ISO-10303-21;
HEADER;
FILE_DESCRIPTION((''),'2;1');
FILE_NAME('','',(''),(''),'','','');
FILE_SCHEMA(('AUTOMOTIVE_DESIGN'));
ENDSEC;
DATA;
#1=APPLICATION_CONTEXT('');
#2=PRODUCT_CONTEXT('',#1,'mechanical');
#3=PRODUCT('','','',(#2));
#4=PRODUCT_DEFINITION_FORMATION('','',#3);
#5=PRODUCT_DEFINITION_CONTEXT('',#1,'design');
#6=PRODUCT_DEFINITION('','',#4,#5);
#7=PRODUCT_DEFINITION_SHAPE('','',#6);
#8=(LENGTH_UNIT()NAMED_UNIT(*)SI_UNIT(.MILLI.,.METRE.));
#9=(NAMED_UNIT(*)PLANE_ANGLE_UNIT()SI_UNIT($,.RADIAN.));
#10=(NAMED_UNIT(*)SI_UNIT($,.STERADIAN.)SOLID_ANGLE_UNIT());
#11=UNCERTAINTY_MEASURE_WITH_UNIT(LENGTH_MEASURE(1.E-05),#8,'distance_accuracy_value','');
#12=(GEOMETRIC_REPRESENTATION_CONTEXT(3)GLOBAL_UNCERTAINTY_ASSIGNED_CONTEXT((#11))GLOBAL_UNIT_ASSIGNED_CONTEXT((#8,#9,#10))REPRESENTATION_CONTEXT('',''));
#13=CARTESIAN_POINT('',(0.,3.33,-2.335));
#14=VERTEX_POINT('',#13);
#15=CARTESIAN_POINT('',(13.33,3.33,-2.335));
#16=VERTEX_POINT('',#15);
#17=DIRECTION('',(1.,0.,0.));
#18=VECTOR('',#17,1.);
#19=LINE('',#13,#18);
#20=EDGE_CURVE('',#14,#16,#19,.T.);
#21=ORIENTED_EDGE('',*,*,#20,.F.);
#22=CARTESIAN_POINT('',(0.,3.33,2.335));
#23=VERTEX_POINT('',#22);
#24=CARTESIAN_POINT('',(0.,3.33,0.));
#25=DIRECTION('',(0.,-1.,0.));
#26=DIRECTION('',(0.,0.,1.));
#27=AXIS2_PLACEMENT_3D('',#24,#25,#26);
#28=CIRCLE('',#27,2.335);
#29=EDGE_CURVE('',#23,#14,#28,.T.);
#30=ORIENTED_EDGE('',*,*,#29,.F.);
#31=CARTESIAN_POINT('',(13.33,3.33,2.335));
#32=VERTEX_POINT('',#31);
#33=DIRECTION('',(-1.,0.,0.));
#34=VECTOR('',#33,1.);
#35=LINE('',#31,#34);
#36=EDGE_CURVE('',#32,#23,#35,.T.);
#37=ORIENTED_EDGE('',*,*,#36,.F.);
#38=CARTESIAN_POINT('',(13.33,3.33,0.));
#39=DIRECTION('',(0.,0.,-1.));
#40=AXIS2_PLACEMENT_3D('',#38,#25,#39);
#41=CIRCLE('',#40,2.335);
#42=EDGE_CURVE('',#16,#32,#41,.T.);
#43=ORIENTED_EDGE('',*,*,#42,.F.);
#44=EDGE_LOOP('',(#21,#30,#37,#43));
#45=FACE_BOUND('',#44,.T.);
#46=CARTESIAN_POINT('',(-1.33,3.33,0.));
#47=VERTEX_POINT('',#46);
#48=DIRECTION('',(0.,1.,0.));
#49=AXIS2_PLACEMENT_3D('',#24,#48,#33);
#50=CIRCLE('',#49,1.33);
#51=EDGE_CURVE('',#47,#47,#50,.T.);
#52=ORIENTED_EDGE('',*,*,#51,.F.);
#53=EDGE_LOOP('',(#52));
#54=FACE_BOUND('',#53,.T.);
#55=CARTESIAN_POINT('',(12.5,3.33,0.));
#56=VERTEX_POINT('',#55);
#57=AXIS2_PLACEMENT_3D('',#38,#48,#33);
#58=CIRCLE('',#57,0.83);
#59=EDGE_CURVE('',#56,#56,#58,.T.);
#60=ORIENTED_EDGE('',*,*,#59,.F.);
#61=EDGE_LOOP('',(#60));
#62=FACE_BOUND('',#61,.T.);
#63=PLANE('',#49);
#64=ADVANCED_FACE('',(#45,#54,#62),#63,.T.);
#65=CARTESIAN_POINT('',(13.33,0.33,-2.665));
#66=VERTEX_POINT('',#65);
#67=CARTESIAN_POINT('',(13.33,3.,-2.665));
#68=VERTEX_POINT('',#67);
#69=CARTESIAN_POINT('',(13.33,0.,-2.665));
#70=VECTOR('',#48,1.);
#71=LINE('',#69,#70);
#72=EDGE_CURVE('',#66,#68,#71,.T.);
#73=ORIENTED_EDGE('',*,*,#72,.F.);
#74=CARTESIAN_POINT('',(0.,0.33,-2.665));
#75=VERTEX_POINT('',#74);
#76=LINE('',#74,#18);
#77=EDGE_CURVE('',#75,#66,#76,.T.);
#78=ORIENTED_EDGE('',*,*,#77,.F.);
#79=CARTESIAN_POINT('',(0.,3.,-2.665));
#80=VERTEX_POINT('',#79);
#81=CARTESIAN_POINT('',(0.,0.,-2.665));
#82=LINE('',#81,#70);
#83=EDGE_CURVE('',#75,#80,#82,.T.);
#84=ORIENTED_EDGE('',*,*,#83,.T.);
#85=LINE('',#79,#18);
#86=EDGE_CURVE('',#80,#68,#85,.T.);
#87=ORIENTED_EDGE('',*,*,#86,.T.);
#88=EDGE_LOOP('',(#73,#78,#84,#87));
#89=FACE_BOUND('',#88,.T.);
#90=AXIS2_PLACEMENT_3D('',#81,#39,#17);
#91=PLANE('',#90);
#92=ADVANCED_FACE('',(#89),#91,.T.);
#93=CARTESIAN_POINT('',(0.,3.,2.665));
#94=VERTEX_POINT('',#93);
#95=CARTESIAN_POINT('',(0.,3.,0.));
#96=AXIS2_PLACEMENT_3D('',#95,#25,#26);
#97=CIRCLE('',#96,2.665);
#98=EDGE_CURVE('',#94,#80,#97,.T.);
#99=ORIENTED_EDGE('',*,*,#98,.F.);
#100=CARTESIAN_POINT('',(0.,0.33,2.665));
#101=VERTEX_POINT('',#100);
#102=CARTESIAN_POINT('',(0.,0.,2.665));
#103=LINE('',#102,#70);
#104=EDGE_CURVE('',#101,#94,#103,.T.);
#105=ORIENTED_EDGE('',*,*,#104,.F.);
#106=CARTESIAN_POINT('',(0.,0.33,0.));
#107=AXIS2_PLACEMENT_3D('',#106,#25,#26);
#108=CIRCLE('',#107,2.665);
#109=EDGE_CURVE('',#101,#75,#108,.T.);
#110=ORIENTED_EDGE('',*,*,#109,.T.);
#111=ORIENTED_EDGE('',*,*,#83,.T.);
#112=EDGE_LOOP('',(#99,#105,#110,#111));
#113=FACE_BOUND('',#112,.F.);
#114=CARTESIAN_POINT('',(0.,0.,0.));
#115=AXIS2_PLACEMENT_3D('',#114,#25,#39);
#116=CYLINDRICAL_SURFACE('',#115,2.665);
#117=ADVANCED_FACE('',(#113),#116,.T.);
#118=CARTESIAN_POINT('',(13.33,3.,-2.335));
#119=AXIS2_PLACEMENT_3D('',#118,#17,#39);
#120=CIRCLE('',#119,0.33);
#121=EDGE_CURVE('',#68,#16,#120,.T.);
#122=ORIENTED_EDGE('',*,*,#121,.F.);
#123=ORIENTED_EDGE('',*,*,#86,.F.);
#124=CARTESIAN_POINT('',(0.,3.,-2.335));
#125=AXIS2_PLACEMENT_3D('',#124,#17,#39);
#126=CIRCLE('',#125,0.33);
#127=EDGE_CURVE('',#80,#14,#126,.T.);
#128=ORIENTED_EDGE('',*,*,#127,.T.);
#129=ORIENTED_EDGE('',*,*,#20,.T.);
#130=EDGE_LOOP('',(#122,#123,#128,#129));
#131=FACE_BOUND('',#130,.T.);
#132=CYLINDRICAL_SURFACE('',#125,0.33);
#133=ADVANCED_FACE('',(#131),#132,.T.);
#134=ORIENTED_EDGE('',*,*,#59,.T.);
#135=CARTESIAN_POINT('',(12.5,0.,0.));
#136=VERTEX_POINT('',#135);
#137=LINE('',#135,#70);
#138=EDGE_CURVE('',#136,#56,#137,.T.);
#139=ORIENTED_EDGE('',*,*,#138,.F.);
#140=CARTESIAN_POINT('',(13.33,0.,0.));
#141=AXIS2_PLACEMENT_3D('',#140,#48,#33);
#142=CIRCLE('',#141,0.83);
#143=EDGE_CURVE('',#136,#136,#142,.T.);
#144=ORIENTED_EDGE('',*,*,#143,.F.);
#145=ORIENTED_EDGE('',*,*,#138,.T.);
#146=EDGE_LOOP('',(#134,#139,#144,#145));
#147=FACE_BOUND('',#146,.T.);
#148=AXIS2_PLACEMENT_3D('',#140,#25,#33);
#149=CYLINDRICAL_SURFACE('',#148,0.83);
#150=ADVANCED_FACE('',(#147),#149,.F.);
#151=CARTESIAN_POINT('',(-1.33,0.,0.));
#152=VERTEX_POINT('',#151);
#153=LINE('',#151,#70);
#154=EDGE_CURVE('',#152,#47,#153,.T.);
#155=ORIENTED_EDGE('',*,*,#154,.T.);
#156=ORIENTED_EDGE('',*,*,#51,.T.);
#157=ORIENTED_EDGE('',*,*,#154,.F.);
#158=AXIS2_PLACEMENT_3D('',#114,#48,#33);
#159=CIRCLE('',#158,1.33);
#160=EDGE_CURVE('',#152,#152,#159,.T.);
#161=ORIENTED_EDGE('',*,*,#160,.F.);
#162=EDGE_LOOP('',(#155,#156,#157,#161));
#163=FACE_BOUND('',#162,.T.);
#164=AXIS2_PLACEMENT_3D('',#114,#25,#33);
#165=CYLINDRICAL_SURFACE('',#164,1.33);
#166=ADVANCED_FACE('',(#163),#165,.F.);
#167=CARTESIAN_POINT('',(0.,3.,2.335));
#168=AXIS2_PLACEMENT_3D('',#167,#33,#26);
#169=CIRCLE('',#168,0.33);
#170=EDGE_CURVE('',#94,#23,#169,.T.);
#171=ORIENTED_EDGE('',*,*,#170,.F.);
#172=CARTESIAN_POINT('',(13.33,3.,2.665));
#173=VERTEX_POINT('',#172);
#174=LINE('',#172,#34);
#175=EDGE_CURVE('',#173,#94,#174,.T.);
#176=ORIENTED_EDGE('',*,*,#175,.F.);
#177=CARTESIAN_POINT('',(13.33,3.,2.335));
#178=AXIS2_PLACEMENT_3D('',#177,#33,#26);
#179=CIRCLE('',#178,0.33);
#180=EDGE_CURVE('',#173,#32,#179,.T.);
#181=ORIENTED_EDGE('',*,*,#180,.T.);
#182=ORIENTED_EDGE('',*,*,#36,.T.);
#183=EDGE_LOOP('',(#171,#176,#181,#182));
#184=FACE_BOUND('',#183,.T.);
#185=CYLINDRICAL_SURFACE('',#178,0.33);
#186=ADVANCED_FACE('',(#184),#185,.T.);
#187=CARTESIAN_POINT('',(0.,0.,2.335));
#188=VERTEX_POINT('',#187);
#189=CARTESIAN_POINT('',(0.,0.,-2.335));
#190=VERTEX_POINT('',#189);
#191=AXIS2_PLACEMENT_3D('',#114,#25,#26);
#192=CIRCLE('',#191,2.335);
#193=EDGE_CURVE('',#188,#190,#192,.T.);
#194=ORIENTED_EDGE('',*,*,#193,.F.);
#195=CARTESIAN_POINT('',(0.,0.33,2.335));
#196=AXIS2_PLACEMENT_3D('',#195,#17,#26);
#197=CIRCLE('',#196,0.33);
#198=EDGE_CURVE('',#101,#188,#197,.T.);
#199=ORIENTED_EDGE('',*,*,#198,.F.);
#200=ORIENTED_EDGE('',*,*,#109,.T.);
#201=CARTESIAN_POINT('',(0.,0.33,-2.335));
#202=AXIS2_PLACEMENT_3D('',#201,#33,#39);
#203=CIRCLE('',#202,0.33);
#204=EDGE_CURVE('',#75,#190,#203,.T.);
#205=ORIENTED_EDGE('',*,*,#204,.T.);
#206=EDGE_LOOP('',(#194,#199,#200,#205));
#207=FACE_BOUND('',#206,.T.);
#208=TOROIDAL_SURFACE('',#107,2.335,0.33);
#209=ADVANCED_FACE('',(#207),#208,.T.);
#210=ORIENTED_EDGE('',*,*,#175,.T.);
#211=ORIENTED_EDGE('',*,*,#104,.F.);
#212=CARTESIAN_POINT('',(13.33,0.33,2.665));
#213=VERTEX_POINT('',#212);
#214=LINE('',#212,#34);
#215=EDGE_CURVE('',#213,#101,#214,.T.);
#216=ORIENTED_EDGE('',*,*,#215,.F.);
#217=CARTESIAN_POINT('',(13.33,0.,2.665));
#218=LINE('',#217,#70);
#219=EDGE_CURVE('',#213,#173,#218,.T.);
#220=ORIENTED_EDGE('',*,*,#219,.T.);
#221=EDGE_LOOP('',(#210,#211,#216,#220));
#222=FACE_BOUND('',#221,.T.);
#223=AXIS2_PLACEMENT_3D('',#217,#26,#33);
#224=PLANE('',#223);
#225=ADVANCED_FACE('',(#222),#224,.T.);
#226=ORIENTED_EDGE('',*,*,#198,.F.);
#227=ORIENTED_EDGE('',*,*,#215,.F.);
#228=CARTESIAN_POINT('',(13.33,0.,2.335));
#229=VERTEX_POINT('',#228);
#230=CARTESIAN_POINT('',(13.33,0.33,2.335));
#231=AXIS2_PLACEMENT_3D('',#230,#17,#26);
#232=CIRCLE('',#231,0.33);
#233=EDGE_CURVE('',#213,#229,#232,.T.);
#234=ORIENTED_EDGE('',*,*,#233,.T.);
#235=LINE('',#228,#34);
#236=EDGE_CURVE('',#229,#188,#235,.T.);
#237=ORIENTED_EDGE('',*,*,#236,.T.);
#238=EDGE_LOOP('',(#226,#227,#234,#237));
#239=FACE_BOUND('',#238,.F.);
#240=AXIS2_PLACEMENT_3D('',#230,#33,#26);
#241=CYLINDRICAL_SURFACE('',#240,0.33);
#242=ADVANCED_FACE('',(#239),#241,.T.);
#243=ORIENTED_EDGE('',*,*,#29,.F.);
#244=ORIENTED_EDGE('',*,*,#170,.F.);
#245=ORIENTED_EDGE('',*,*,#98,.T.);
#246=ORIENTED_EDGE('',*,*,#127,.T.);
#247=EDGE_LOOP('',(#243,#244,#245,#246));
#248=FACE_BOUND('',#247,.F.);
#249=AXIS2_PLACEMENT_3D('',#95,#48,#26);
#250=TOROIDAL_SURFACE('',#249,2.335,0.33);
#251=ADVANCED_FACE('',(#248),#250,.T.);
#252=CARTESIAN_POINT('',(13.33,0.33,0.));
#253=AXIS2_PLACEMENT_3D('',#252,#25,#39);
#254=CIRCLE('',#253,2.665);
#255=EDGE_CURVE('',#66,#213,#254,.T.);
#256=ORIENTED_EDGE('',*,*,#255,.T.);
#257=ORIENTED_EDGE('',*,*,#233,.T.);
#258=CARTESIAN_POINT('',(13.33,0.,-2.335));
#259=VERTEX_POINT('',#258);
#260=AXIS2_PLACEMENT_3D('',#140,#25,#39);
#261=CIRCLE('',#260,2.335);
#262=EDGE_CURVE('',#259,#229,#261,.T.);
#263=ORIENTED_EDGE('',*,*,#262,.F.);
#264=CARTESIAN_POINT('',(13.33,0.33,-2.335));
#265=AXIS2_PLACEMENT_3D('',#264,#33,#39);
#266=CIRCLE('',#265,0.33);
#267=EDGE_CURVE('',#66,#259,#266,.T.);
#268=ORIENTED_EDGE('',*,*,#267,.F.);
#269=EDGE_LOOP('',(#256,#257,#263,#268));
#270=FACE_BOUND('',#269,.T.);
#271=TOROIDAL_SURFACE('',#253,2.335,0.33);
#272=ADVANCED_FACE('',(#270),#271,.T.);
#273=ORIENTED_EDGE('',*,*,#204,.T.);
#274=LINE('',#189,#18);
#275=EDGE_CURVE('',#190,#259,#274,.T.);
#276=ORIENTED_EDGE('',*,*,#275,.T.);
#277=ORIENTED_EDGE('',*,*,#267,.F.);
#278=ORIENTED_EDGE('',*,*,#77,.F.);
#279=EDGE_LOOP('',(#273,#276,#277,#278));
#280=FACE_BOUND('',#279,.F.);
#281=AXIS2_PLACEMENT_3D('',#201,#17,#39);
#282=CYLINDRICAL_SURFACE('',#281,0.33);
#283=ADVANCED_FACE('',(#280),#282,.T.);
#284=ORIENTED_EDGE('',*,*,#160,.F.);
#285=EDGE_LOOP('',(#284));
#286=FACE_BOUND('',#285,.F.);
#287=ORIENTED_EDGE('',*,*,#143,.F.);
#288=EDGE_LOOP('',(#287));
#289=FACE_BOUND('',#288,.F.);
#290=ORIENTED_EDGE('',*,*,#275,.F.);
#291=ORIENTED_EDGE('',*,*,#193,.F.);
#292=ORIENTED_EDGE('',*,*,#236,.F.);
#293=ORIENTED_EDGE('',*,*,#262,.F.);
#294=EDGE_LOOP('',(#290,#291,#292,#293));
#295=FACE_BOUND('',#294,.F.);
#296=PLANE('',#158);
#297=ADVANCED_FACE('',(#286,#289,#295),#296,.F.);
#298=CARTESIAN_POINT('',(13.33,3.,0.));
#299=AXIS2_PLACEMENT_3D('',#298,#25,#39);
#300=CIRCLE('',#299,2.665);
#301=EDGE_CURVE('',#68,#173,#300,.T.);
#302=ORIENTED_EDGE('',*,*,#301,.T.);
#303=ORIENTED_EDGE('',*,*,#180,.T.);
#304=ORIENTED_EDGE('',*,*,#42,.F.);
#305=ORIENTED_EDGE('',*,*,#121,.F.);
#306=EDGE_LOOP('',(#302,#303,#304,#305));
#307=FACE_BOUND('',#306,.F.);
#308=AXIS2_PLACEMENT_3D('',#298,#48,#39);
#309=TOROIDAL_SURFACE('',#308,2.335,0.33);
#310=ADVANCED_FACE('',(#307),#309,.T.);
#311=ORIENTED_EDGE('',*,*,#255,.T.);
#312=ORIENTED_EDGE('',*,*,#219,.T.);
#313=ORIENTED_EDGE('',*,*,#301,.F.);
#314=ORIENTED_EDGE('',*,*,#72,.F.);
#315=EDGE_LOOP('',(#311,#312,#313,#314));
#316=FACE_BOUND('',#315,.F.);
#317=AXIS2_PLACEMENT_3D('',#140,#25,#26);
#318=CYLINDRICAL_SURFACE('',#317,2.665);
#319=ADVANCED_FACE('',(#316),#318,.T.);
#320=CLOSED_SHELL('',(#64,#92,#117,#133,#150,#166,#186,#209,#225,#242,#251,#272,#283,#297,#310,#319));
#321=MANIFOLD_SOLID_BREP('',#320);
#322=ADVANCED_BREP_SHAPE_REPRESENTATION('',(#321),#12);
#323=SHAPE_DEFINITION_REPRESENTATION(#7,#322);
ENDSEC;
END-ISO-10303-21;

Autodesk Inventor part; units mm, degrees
ref_plane "YZ Plane" through (0, 0, 0) normal (1, 0, 0) x (0, 1, 0)
ref_plane "XZ Plane" through (0, 0, 0) normal (0, 1, 0) x (-1, 0, 0)
ref_plane "XY Plane" through (0, 0, 0) normal (0, 0, 1) x (1, 0, 0)
sketch "Sketch1" plane through (0, 0, 0) normal (0, 1, 0) x (-1, 0, 0)
  line L0 (0, 0) -> (-13.33, 0) construction
  line L1 (0, -2.665) -> (-13.33, -2.665)
  line L2 (-13.33, 2.665) -> (0, 2.665)
  arc A0 (0, -2.665) -> (0, 2.665) centre (0, 0) ccw
  arc A1 (-13.33, 2.665) -> (-13.33, -2.665) centre (-13.33, 0) ccw
  circle A2 centre (-13.33, 0) radius 0.83
  circle A3 centre (0, 0) radius 1.33
  point P0 (-6.665, 0)
  dimension "d0" = 5.33
  dimension "d1" = 13.33
  dimension "d2" = 2.66
  dimension "d3" = 1.66
extrude "Extrusion1" add sketch "Sketch1" along normal blind 3.33
fillet "Fillet1" radius 0.33 8 edges at (6.665, 0, -2.665) (6.665, 3.33, -2.665) (-2.665, 0, 0) (6.665, 0, 2.665) (15.995, 0, 0) (-2.665, 3.33, 0) (6.665, 3.33, 2.665) (15.995, 3.33, 0)
properties part number "G-5"
